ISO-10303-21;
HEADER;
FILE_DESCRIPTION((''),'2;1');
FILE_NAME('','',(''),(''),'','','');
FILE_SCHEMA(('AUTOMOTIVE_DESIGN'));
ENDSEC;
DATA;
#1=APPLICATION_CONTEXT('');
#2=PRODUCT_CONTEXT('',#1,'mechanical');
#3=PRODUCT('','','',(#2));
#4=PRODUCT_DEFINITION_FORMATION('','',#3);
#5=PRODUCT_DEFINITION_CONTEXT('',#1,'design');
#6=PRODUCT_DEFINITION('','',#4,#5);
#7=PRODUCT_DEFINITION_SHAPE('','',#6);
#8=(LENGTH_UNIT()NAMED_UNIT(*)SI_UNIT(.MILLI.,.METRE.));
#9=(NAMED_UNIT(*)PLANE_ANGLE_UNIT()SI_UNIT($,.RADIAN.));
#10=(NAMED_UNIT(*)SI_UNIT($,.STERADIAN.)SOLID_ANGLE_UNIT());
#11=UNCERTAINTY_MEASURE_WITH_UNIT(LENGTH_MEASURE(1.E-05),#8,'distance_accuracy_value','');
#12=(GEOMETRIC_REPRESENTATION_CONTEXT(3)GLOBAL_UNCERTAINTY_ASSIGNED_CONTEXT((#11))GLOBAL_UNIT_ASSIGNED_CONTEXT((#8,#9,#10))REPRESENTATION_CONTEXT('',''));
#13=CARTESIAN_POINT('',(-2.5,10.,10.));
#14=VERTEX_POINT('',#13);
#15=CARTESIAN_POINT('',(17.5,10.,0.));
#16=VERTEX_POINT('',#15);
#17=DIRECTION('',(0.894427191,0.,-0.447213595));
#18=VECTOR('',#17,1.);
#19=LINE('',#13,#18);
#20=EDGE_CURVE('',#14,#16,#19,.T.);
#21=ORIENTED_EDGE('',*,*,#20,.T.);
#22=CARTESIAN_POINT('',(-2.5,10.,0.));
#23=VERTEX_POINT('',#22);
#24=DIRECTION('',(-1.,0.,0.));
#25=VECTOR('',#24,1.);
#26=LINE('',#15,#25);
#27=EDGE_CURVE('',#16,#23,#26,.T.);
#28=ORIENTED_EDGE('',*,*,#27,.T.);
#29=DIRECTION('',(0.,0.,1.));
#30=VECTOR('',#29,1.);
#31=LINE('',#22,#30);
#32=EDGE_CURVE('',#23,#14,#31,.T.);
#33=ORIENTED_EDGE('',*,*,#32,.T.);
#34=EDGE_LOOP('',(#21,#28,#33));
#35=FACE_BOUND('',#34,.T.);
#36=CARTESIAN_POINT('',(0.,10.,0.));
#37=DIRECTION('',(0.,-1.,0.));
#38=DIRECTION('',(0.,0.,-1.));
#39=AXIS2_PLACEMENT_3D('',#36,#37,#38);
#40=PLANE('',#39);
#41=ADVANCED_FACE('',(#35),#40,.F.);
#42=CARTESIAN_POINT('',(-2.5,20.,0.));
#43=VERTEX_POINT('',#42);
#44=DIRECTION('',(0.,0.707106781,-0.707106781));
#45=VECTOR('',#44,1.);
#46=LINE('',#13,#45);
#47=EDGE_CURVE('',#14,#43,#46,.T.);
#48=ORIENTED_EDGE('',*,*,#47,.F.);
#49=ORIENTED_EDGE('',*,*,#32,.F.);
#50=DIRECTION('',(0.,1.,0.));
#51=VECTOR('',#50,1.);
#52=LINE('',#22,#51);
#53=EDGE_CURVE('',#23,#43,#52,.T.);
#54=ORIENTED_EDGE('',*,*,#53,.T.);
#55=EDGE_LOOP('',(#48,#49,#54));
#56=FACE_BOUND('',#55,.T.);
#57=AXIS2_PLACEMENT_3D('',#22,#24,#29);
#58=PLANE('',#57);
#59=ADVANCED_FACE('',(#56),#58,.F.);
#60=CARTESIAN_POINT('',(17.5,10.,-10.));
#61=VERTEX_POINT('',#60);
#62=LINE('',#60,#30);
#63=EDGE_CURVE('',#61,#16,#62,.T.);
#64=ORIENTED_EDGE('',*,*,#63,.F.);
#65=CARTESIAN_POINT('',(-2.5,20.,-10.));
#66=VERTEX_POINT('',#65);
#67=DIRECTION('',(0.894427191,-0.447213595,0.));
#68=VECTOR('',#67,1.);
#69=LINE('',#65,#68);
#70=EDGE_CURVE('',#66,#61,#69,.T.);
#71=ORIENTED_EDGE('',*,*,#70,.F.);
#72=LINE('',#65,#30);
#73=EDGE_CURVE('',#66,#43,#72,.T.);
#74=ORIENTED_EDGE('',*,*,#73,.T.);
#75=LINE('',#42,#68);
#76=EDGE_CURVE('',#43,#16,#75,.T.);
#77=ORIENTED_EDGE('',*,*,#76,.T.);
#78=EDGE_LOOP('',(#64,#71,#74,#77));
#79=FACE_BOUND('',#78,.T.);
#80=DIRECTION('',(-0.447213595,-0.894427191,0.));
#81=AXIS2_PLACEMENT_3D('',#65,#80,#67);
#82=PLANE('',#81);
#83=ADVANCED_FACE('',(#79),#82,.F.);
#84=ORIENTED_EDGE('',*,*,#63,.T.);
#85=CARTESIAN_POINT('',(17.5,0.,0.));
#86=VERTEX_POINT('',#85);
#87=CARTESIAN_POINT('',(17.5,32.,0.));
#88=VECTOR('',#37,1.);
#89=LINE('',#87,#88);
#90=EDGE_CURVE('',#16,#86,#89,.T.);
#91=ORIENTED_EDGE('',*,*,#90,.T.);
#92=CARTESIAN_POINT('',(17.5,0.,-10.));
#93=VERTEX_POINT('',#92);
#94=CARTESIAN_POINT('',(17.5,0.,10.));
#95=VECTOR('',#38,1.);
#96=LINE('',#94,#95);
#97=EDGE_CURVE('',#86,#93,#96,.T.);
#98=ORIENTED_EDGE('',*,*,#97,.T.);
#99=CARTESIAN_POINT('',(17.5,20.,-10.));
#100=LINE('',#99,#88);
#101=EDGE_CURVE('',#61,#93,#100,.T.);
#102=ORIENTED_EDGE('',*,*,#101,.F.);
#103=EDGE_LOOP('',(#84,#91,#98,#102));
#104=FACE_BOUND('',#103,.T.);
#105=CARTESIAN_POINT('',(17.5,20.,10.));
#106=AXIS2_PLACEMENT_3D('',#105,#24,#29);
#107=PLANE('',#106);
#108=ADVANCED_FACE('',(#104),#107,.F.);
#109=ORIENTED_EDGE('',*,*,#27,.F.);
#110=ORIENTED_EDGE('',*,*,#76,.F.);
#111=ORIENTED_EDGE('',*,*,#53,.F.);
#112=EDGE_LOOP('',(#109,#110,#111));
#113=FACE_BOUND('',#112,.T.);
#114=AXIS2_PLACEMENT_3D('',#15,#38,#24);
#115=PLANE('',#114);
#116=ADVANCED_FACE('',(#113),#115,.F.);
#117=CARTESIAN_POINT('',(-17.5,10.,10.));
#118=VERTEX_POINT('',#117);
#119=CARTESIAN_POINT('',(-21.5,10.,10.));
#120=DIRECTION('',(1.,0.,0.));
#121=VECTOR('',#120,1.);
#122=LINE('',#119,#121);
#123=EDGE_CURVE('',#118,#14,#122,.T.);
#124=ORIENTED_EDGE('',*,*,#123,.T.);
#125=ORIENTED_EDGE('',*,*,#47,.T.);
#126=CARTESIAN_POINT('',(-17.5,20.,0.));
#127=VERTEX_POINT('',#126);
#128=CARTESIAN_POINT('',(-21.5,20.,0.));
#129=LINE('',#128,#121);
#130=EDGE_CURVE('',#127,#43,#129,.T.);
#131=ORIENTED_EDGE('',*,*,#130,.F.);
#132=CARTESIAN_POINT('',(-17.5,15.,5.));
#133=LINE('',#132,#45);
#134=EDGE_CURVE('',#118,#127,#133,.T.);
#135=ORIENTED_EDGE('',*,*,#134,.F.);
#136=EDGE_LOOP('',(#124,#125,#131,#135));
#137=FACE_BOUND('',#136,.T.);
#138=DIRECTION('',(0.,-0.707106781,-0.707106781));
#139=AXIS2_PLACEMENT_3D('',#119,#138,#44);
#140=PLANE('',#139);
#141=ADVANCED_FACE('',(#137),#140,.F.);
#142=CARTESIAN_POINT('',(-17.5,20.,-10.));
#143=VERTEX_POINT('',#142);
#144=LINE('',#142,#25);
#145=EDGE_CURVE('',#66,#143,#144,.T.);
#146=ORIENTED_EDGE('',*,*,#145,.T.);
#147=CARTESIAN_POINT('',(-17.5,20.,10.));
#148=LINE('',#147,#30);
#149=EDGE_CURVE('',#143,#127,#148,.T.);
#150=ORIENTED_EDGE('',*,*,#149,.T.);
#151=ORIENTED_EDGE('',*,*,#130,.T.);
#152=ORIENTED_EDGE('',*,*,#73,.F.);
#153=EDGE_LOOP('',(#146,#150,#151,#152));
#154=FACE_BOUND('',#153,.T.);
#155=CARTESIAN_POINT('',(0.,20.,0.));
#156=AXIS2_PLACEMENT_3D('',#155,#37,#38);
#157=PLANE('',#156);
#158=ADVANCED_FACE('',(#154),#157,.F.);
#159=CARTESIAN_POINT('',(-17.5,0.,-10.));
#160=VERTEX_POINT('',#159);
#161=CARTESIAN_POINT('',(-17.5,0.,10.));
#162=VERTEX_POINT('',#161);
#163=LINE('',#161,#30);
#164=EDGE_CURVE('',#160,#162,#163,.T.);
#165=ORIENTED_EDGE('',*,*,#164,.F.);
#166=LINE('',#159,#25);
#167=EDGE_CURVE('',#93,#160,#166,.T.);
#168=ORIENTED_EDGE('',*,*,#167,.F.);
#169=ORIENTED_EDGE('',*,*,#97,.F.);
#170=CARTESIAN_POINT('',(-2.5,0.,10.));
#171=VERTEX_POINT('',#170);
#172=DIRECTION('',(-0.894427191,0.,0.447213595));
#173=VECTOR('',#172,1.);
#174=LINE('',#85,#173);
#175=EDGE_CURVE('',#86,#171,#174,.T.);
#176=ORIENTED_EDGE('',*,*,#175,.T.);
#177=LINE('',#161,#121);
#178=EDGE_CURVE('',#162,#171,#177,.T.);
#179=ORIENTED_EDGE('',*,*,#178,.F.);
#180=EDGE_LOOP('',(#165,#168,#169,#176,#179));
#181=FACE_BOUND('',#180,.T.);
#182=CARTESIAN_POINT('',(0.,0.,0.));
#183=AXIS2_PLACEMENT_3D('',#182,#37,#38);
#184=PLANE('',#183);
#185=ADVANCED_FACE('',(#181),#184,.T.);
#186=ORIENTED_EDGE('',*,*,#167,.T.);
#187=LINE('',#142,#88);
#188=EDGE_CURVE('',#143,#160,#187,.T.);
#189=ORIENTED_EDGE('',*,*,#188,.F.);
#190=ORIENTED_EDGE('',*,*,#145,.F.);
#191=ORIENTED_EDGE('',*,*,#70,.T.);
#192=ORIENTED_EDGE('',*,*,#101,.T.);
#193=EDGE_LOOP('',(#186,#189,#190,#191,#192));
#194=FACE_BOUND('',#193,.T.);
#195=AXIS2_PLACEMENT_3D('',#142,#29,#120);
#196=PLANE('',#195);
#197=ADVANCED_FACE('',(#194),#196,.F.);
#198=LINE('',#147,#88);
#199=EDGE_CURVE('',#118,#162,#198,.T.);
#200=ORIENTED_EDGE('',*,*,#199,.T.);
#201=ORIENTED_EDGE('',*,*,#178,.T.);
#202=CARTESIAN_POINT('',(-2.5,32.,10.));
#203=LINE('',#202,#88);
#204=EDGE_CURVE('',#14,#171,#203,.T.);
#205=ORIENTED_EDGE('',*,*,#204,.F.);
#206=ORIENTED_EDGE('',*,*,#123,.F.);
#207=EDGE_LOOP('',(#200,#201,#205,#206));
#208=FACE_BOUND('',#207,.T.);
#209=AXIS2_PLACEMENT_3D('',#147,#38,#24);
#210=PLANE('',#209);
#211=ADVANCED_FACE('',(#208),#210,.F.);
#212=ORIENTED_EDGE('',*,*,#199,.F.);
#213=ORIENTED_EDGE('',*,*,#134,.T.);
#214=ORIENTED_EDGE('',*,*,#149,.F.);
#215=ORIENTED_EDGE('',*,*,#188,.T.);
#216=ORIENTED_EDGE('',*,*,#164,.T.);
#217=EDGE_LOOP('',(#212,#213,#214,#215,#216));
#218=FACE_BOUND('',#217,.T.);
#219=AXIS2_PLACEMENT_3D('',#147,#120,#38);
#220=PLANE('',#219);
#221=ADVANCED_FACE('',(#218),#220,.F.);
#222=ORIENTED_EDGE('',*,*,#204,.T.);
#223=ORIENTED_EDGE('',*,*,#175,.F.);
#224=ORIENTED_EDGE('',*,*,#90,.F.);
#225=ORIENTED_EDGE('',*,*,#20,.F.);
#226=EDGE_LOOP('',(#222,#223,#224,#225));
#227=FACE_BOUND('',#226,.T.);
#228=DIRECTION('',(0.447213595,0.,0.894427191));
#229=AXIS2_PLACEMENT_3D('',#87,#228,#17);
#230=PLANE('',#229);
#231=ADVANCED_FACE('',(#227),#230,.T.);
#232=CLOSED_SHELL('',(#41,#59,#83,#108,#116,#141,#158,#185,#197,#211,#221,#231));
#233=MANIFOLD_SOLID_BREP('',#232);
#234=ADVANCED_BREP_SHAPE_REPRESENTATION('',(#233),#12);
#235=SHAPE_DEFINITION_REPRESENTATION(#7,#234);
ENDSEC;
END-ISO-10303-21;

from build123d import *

# Parameters (mm, degrees)
SKETCH_1_W          = 35
SKETCH_1_H          = 20
EXTRUDE_1_DEPTH     = 20
CUT_EXTRUDE_1_DEPTH = 20
CUT_EXTRUDE_2_DEPTH = 32
CUT_EXTRUDE_3_DEPTH = 10
CUT_EXTRUDE_4_DEPTH = 19


with BuildPart() as part:
    # 草圖1 → 填料-伸長1 (new body)
    with BuildSketch(Plane(origin=(0, 0, 0), x_dir=(1, 0, 0), z_dir=(0, 1, 0))):
        Rectangle(SKETCH_1_W, SKETCH_1_H)
    extrude(amount=EXTRUDE_1_DEPTH)

    # 草圖2 → 除料-伸長1 (cut)
    with BuildSketch(Plane.XY.offset(10)):
        Polygon((17.5, 20), (-2.5, 20), (17.5, 10), align=None)
    extrude(amount=-CUT_EXTRUDE_1_DEPTH, mode=Mode.SUBTRACT)

    # 草圖3 → 除料-伸長2 (cut)
    with BuildSketch(Plane(origin=(0, 0, 0), x_dir=(1, 0, 0), z_dir=(0, 1, 0))):
        Polygon((-2.5, -10), (17.5, -10), (17.5, 0), align=None)
    extrude(amount=CUT_EXTRUDE_2_DEPTH, mode=Mode.SUBTRACT)

    # 草圖4 → 除料-伸長3 (cut)
    with BuildSketch(Plane(origin=(0, 20, 0), x_dir=(1, 0, 0), z_dir=(0, 1, 0))):
        Polygon((17.5, 0), (-2.5, 0), (-2.5, -10), align=None)
    extrude(amount=-CUT_EXTRUDE_3_DEPTH, mode=Mode.SUBTRACT)

    # 草圖5 → 除料-伸長4 (cut)
    with BuildSketch(Plane(origin=(-2.5, 0, 0), x_dir=(0, 0, -1), z_dir=(1, 0, 0))):
        Polygon((0, 20), (-10, 20), (-10, 10), align=None)
    extrude(amount=-CUT_EXTRUDE_4_DEPTH, mode=Mode.SUBTRACT)


solid = part.part
